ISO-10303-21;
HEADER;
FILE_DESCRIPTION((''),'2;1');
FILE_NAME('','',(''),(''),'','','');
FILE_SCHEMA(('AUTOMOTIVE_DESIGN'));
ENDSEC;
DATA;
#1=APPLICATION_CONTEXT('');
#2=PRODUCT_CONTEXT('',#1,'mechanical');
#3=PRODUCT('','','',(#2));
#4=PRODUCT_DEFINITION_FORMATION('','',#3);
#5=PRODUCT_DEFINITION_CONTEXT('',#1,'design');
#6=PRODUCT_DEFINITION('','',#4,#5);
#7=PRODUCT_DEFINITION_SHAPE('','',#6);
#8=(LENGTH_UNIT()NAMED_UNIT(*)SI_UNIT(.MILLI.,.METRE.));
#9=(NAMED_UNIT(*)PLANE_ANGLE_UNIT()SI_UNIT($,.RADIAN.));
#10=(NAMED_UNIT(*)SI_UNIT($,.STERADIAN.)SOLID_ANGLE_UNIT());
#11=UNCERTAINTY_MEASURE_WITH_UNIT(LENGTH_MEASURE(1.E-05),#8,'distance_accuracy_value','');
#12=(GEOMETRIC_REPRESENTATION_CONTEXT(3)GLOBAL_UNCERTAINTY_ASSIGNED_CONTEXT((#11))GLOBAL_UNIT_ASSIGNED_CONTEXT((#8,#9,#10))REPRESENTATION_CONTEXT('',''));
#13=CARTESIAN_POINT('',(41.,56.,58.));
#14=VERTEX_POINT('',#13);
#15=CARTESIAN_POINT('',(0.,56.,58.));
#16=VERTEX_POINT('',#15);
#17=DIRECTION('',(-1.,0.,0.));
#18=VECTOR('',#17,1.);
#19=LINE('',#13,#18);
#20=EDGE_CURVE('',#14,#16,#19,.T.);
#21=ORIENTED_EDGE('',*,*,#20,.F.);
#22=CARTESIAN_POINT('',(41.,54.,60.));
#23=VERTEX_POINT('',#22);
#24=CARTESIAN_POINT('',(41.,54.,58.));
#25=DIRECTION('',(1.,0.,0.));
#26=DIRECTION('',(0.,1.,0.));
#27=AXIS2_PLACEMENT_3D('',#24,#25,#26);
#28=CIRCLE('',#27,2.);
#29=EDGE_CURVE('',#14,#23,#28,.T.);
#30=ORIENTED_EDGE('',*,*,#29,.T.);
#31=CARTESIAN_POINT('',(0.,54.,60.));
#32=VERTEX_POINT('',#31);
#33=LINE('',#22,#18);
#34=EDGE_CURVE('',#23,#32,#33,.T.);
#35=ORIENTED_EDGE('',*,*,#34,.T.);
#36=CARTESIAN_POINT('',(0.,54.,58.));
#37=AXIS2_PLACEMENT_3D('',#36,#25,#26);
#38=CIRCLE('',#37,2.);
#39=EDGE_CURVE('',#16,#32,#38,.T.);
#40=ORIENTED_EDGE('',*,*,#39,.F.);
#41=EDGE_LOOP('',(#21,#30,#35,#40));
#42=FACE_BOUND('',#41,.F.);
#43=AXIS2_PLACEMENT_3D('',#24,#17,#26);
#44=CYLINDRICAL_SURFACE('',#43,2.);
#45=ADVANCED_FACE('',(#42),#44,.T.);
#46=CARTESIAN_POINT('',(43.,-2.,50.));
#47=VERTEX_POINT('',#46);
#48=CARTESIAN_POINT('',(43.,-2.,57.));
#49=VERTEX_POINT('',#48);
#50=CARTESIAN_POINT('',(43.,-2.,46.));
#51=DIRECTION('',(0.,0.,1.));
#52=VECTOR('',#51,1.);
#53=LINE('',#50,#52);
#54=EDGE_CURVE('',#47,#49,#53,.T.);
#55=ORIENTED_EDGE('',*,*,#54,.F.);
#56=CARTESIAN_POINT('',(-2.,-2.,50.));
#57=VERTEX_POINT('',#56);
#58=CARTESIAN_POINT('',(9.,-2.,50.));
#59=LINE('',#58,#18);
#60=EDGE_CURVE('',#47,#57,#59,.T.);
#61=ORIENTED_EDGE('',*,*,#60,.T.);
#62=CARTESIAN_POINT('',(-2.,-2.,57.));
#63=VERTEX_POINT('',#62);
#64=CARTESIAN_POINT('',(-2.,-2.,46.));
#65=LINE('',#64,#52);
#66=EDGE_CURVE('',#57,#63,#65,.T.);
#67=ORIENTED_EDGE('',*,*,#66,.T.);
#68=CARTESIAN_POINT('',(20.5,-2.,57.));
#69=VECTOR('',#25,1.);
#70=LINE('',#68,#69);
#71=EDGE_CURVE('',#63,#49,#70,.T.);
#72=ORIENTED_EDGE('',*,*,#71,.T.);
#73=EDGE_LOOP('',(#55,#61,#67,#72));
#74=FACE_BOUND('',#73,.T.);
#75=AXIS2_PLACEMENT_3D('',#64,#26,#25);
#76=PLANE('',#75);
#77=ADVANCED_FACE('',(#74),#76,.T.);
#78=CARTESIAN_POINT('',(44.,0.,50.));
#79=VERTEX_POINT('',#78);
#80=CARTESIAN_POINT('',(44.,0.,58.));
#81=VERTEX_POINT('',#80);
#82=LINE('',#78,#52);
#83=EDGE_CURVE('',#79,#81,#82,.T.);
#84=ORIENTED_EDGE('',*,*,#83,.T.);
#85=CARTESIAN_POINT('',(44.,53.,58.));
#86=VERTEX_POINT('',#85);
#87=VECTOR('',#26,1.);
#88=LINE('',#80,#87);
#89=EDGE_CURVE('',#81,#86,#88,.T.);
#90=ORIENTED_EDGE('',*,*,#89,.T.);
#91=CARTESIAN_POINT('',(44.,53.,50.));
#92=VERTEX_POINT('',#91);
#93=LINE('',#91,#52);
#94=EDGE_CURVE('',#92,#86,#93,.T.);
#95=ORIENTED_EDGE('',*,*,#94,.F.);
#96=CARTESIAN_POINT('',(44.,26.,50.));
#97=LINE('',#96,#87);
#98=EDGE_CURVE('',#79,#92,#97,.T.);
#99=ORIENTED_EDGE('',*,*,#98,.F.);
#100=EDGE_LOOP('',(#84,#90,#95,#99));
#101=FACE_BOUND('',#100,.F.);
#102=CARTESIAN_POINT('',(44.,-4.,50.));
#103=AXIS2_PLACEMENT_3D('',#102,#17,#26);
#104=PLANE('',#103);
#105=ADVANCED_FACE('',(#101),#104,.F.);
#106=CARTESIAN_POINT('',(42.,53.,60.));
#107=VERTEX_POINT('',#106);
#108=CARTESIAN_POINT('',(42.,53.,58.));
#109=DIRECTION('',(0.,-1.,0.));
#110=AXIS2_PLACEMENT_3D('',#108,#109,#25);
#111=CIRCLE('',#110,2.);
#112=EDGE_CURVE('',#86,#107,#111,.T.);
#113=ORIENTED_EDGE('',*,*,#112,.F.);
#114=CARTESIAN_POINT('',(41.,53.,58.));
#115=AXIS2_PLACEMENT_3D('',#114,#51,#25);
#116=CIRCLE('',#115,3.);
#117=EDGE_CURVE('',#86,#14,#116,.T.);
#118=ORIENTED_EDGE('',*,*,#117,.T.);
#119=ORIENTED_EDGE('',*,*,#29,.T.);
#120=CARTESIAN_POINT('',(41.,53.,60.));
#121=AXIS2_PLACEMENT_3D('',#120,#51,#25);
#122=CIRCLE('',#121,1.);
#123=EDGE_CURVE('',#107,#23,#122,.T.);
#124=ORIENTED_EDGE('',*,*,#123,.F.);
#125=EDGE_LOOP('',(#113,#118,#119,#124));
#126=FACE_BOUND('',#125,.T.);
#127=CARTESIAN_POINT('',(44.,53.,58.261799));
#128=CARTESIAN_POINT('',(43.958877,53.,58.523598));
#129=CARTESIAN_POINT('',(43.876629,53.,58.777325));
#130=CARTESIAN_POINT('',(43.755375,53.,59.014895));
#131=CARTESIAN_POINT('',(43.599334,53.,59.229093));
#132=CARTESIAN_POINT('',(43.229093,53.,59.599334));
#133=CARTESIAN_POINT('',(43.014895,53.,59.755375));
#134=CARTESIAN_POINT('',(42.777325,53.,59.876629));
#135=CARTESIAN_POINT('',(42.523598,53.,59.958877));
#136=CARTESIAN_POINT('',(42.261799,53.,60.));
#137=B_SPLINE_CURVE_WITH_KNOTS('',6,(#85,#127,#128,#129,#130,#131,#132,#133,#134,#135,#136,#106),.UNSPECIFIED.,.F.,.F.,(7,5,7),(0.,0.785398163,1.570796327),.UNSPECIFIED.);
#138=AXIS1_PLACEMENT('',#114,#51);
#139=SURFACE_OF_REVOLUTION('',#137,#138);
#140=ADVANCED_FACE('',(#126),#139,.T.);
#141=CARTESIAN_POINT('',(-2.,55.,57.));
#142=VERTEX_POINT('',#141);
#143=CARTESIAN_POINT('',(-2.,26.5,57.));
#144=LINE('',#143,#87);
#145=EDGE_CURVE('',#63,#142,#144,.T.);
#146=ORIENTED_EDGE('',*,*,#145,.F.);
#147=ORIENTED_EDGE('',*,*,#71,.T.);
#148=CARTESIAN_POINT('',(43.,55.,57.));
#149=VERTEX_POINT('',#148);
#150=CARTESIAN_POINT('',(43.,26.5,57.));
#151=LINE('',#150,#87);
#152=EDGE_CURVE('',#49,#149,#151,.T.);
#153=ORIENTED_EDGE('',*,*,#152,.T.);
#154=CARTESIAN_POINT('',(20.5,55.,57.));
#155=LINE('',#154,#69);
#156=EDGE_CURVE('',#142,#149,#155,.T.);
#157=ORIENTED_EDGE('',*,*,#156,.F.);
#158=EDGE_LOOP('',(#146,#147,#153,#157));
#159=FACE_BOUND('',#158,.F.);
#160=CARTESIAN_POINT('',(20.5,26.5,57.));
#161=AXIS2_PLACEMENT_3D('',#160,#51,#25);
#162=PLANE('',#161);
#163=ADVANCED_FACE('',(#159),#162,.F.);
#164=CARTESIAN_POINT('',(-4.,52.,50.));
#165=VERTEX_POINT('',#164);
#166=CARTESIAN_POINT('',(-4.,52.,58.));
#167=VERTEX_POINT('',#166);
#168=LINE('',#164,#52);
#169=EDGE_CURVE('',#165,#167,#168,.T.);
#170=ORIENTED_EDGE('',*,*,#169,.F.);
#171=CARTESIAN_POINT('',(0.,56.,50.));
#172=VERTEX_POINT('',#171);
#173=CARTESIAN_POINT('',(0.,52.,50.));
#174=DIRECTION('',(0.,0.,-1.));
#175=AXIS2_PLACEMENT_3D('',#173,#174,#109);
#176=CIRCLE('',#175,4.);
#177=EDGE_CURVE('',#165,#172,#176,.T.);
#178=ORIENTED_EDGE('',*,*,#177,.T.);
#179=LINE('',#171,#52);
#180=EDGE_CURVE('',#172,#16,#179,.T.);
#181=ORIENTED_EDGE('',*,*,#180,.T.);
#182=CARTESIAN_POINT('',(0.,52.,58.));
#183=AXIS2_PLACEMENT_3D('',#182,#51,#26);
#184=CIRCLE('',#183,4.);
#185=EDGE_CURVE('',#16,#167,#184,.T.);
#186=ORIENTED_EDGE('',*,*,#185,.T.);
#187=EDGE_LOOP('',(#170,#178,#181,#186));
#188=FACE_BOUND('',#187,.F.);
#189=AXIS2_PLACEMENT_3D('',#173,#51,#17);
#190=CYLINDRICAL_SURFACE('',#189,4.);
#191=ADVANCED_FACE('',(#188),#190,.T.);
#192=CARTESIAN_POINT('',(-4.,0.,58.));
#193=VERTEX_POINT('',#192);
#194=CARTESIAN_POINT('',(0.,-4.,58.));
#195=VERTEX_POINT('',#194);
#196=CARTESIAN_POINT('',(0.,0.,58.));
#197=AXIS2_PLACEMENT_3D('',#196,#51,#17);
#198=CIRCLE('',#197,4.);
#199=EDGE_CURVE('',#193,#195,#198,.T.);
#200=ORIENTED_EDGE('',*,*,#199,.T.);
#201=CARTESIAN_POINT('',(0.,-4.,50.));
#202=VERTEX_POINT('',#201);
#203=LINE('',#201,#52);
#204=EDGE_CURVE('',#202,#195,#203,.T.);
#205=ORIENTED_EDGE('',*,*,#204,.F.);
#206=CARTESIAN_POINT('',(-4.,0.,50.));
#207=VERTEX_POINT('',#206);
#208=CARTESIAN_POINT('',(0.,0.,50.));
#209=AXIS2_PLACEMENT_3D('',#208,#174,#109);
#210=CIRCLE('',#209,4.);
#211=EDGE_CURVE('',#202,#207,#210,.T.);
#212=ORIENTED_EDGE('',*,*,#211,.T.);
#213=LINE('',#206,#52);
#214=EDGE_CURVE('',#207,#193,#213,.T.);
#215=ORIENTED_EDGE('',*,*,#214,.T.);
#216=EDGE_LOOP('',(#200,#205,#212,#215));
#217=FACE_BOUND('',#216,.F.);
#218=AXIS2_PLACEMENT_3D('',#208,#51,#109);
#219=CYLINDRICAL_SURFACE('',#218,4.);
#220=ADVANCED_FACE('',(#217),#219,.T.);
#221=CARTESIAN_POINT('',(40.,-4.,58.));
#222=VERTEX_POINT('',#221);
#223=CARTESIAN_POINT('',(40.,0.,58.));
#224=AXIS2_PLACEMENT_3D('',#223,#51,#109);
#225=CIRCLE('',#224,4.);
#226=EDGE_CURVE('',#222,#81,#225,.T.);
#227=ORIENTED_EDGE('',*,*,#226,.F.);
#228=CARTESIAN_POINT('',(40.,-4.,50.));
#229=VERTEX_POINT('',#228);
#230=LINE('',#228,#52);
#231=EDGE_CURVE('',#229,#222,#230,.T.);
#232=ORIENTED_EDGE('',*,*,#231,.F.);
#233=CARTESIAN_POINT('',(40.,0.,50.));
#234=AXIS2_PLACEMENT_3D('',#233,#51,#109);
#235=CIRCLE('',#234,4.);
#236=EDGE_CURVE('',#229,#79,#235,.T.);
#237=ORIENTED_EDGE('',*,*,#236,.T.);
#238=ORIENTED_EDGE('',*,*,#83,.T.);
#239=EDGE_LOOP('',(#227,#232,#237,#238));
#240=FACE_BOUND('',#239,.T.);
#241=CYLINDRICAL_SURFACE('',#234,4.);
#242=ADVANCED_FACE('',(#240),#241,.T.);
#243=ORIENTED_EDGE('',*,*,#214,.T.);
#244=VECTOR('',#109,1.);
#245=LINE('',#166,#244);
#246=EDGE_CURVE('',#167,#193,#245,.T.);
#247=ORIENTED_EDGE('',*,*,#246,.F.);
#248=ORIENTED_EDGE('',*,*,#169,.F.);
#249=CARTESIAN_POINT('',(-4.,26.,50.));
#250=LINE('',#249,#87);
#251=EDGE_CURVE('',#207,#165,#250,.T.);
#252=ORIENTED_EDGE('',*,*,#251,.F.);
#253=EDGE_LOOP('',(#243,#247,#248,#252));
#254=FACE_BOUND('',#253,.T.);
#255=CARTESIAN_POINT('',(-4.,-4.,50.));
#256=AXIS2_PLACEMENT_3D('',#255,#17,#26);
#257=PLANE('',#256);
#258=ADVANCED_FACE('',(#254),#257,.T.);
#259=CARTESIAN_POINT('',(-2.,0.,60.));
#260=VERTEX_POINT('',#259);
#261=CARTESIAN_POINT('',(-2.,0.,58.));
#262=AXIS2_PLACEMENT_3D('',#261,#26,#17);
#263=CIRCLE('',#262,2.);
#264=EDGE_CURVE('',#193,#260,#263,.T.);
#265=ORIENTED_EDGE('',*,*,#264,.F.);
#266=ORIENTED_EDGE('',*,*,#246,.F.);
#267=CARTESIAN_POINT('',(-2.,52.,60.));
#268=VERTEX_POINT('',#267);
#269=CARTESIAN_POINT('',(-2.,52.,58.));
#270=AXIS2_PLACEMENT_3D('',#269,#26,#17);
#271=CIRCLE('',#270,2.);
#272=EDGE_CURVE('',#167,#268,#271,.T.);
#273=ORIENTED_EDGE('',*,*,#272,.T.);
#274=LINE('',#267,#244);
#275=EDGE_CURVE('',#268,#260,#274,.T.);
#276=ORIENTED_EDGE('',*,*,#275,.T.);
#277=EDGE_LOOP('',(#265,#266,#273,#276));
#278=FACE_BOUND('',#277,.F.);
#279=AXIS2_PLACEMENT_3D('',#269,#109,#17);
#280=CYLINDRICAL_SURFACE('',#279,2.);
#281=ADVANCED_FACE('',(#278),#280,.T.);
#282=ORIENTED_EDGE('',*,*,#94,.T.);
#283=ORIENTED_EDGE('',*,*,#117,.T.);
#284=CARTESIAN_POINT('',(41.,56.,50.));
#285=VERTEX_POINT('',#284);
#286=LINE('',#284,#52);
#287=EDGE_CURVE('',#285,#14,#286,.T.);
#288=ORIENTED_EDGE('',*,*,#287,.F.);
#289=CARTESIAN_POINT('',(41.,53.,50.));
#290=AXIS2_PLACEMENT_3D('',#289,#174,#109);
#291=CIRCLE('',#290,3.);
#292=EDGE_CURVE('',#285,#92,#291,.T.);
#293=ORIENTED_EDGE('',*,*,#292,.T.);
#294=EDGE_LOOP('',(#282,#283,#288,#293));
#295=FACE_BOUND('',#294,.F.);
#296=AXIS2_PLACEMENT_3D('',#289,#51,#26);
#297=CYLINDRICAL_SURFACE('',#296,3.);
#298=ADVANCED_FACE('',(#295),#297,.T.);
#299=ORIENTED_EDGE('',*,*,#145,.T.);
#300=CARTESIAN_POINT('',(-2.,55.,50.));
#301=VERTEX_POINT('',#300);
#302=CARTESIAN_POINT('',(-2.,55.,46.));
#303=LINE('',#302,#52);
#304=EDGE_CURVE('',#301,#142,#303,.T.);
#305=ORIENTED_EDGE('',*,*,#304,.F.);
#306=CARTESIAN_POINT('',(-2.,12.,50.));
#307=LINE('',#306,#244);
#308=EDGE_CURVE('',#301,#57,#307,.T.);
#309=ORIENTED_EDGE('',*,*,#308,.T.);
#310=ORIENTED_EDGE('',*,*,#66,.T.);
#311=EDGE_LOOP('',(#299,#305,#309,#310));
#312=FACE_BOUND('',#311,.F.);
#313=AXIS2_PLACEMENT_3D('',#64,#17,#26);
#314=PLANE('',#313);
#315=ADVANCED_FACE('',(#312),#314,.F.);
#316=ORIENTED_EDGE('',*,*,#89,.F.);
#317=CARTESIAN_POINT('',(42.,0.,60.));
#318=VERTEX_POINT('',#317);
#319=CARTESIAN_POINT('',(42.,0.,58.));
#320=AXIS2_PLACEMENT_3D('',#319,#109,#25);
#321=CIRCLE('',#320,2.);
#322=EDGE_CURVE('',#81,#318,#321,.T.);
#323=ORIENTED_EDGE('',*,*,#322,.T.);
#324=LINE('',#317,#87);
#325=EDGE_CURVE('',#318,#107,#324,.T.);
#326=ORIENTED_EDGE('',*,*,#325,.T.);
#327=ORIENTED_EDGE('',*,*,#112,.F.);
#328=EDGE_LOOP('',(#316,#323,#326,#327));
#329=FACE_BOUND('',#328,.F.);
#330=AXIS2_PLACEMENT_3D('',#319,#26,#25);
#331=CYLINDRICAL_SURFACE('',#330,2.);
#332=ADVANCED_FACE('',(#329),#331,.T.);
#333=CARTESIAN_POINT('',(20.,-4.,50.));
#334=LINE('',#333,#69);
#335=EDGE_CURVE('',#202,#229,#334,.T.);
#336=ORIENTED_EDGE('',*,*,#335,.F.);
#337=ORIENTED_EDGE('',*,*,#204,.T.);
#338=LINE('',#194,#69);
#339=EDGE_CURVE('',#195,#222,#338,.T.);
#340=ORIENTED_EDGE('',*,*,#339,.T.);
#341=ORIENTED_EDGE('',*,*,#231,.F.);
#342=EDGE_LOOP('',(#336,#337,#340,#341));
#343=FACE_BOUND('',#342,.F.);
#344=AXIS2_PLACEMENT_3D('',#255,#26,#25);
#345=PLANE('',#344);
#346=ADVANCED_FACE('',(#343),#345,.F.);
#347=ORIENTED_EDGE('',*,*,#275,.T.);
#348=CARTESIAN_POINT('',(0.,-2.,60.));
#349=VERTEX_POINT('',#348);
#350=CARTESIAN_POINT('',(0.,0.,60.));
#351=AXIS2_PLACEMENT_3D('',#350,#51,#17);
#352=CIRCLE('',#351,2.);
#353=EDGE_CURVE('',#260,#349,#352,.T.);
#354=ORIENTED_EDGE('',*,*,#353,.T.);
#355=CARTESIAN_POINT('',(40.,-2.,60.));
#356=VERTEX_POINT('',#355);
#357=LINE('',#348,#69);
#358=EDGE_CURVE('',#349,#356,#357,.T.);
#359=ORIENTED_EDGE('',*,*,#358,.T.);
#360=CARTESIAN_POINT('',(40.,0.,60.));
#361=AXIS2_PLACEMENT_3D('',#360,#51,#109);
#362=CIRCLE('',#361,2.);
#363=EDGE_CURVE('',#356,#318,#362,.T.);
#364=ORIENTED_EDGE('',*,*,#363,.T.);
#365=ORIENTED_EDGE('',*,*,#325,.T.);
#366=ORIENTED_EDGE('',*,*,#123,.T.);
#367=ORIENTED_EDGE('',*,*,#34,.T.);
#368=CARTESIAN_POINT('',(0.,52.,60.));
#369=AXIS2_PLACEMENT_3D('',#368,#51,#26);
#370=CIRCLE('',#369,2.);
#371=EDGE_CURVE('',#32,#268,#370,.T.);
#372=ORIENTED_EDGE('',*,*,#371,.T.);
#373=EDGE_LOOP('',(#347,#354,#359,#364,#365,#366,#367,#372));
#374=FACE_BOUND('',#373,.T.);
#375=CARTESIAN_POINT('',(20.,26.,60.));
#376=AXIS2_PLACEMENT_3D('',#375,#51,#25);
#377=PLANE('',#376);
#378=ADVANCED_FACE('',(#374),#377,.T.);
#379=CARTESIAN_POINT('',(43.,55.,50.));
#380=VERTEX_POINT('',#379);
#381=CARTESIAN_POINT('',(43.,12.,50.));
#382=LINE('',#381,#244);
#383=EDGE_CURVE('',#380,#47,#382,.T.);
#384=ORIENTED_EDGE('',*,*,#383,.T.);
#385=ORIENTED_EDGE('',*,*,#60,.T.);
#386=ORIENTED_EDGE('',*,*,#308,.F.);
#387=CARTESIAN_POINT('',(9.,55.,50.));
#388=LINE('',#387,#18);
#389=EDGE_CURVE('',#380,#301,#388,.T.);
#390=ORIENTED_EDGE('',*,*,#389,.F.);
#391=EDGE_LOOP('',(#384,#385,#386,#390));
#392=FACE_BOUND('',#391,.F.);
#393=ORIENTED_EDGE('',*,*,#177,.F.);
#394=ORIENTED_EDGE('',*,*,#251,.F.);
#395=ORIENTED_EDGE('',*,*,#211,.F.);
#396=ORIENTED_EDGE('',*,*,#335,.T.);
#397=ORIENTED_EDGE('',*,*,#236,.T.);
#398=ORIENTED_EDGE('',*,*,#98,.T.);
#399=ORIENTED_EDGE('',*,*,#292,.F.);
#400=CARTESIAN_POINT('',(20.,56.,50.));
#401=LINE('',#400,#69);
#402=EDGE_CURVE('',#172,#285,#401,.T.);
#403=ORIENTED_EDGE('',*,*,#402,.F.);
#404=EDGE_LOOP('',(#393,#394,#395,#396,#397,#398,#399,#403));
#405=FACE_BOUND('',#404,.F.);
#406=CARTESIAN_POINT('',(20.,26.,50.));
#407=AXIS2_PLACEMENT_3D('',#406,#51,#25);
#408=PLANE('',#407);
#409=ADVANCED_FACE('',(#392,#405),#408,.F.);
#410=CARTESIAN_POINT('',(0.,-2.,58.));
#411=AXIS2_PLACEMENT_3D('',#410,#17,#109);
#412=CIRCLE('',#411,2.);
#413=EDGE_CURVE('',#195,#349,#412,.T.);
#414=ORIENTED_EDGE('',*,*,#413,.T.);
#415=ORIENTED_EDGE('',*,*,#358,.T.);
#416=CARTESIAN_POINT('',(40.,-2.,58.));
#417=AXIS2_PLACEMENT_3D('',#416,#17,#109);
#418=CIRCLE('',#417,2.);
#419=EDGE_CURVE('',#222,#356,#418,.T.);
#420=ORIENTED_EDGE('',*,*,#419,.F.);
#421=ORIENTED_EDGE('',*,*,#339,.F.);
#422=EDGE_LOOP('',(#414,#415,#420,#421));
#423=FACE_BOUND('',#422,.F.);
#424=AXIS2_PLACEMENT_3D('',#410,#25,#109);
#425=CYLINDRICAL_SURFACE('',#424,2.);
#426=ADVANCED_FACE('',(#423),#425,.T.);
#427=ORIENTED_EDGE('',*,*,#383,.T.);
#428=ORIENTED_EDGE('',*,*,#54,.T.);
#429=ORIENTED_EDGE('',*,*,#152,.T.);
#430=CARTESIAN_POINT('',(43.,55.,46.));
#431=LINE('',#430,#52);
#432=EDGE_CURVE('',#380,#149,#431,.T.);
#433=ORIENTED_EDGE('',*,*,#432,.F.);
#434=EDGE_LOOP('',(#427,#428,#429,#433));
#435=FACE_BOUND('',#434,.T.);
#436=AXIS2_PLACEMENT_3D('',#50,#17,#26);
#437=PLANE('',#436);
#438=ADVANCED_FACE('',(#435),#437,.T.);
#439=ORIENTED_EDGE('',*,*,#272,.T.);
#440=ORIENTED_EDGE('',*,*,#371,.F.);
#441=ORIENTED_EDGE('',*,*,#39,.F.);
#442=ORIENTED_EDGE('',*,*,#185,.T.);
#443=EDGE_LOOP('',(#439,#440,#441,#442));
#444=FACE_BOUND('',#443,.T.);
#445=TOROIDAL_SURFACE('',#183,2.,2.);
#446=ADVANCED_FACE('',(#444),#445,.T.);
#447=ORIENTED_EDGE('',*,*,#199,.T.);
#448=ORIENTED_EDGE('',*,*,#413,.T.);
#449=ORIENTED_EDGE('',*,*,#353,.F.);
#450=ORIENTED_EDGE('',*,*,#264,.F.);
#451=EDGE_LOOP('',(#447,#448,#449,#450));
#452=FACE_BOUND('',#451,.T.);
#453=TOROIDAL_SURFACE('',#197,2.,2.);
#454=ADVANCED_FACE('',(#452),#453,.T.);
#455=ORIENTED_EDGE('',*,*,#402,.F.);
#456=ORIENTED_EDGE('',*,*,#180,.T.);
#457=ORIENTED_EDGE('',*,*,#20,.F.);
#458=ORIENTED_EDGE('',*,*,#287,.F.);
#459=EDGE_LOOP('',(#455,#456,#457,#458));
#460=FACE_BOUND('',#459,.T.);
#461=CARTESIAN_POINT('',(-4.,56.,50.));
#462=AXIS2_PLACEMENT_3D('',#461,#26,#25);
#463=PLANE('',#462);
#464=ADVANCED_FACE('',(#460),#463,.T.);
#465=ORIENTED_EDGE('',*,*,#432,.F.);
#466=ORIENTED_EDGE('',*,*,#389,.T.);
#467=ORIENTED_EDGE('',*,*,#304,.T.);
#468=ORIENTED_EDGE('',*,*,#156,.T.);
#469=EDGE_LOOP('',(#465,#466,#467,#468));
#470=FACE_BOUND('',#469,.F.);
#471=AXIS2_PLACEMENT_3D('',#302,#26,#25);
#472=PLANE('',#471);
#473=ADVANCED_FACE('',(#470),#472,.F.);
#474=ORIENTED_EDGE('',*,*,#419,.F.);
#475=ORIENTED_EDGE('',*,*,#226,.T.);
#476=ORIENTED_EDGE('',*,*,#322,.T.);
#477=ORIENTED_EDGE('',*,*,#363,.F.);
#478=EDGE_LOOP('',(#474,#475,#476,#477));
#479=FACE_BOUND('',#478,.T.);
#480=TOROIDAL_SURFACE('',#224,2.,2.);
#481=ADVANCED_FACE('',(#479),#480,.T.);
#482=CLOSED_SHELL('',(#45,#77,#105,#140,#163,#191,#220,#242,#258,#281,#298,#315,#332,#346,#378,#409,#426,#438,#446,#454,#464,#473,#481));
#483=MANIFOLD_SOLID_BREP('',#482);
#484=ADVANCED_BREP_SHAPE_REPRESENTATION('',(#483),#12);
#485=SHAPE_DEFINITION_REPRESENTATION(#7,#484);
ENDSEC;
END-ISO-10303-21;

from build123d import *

# Parameters (mm, degrees)
BOX001_W     = 45
BOX001_H     = 57
BOX001_DEPTH = 11
BOX_W        = 48
BOX_H        = 60
BOX_DEPTH    = 10
FILLET004_R  = 4
FILLET005_R  = 4
FILLET006_R  = 4
FILLET007_R  = 3
FILLET008_R  = 2


with BuildPart() as box001:
    # Box001 → Box001 (new body)
    with BuildSketch(Plane(origin=(-2, -2, 46), x_dir=(1, 0, 0), z_dir=(0, 0, 1))):
        with Locations((22.5, 28.5)):
            Rectangle(BOX001_W, BOX001_H)
    extrude(amount=BOX001_DEPTH)


with BuildPart() as tapa001:
    # Box → Box (new body)
    with BuildSketch(Plane(origin=(-4, -4, 50), x_dir=(1, 0, 0), z_dir=(0, 0, 1))):
        with Locations((24, 30)):
            Rectangle(BOX_W, BOX_H)
    extrude(amount=BOX_DEPTH)

    # Cut: cut Box001
    add(box001.part, mode=Mode.SUBTRACT)

    # Fillet004
    fillet004_edges = [tapa001.edges().sort_by_distance(p)[0] for p in [
        (44, -4, 55),
    ]]
    fillet(fillet004_edges, radius=FILLET004_R)

    # Fillet005
    fillet005_edges = [tapa001.edges().sort_by_distance(p)[0] for p in [
        (-4, -4, 55),
    ]]
    fillet(fillet005_edges, radius=FILLET005_R)

    # Fillet006
    fillet006_edges = [tapa001.edges().sort_by_distance(p)[0] for p in [
        (-4, 56, 55),
    ]]
    fillet(fillet006_edges, radius=FILLET006_R)

    # Fillet007
    fillet007_edges = [tapa001.edges().sort_by_distance(p)[0] for p in [
        (44, 56, 55),
    ]]
    fillet(fillet007_edges, radius=FILLET007_R)

    # Fillet008
    fillet008_edges = [tapa001.edges().sort_by_distance(p)[0] for p in [
        (44, 26.5, 60),
    ]]
    fillet(fillet008_edges, radius=FILLET008_R)


solid = tapa001.part
